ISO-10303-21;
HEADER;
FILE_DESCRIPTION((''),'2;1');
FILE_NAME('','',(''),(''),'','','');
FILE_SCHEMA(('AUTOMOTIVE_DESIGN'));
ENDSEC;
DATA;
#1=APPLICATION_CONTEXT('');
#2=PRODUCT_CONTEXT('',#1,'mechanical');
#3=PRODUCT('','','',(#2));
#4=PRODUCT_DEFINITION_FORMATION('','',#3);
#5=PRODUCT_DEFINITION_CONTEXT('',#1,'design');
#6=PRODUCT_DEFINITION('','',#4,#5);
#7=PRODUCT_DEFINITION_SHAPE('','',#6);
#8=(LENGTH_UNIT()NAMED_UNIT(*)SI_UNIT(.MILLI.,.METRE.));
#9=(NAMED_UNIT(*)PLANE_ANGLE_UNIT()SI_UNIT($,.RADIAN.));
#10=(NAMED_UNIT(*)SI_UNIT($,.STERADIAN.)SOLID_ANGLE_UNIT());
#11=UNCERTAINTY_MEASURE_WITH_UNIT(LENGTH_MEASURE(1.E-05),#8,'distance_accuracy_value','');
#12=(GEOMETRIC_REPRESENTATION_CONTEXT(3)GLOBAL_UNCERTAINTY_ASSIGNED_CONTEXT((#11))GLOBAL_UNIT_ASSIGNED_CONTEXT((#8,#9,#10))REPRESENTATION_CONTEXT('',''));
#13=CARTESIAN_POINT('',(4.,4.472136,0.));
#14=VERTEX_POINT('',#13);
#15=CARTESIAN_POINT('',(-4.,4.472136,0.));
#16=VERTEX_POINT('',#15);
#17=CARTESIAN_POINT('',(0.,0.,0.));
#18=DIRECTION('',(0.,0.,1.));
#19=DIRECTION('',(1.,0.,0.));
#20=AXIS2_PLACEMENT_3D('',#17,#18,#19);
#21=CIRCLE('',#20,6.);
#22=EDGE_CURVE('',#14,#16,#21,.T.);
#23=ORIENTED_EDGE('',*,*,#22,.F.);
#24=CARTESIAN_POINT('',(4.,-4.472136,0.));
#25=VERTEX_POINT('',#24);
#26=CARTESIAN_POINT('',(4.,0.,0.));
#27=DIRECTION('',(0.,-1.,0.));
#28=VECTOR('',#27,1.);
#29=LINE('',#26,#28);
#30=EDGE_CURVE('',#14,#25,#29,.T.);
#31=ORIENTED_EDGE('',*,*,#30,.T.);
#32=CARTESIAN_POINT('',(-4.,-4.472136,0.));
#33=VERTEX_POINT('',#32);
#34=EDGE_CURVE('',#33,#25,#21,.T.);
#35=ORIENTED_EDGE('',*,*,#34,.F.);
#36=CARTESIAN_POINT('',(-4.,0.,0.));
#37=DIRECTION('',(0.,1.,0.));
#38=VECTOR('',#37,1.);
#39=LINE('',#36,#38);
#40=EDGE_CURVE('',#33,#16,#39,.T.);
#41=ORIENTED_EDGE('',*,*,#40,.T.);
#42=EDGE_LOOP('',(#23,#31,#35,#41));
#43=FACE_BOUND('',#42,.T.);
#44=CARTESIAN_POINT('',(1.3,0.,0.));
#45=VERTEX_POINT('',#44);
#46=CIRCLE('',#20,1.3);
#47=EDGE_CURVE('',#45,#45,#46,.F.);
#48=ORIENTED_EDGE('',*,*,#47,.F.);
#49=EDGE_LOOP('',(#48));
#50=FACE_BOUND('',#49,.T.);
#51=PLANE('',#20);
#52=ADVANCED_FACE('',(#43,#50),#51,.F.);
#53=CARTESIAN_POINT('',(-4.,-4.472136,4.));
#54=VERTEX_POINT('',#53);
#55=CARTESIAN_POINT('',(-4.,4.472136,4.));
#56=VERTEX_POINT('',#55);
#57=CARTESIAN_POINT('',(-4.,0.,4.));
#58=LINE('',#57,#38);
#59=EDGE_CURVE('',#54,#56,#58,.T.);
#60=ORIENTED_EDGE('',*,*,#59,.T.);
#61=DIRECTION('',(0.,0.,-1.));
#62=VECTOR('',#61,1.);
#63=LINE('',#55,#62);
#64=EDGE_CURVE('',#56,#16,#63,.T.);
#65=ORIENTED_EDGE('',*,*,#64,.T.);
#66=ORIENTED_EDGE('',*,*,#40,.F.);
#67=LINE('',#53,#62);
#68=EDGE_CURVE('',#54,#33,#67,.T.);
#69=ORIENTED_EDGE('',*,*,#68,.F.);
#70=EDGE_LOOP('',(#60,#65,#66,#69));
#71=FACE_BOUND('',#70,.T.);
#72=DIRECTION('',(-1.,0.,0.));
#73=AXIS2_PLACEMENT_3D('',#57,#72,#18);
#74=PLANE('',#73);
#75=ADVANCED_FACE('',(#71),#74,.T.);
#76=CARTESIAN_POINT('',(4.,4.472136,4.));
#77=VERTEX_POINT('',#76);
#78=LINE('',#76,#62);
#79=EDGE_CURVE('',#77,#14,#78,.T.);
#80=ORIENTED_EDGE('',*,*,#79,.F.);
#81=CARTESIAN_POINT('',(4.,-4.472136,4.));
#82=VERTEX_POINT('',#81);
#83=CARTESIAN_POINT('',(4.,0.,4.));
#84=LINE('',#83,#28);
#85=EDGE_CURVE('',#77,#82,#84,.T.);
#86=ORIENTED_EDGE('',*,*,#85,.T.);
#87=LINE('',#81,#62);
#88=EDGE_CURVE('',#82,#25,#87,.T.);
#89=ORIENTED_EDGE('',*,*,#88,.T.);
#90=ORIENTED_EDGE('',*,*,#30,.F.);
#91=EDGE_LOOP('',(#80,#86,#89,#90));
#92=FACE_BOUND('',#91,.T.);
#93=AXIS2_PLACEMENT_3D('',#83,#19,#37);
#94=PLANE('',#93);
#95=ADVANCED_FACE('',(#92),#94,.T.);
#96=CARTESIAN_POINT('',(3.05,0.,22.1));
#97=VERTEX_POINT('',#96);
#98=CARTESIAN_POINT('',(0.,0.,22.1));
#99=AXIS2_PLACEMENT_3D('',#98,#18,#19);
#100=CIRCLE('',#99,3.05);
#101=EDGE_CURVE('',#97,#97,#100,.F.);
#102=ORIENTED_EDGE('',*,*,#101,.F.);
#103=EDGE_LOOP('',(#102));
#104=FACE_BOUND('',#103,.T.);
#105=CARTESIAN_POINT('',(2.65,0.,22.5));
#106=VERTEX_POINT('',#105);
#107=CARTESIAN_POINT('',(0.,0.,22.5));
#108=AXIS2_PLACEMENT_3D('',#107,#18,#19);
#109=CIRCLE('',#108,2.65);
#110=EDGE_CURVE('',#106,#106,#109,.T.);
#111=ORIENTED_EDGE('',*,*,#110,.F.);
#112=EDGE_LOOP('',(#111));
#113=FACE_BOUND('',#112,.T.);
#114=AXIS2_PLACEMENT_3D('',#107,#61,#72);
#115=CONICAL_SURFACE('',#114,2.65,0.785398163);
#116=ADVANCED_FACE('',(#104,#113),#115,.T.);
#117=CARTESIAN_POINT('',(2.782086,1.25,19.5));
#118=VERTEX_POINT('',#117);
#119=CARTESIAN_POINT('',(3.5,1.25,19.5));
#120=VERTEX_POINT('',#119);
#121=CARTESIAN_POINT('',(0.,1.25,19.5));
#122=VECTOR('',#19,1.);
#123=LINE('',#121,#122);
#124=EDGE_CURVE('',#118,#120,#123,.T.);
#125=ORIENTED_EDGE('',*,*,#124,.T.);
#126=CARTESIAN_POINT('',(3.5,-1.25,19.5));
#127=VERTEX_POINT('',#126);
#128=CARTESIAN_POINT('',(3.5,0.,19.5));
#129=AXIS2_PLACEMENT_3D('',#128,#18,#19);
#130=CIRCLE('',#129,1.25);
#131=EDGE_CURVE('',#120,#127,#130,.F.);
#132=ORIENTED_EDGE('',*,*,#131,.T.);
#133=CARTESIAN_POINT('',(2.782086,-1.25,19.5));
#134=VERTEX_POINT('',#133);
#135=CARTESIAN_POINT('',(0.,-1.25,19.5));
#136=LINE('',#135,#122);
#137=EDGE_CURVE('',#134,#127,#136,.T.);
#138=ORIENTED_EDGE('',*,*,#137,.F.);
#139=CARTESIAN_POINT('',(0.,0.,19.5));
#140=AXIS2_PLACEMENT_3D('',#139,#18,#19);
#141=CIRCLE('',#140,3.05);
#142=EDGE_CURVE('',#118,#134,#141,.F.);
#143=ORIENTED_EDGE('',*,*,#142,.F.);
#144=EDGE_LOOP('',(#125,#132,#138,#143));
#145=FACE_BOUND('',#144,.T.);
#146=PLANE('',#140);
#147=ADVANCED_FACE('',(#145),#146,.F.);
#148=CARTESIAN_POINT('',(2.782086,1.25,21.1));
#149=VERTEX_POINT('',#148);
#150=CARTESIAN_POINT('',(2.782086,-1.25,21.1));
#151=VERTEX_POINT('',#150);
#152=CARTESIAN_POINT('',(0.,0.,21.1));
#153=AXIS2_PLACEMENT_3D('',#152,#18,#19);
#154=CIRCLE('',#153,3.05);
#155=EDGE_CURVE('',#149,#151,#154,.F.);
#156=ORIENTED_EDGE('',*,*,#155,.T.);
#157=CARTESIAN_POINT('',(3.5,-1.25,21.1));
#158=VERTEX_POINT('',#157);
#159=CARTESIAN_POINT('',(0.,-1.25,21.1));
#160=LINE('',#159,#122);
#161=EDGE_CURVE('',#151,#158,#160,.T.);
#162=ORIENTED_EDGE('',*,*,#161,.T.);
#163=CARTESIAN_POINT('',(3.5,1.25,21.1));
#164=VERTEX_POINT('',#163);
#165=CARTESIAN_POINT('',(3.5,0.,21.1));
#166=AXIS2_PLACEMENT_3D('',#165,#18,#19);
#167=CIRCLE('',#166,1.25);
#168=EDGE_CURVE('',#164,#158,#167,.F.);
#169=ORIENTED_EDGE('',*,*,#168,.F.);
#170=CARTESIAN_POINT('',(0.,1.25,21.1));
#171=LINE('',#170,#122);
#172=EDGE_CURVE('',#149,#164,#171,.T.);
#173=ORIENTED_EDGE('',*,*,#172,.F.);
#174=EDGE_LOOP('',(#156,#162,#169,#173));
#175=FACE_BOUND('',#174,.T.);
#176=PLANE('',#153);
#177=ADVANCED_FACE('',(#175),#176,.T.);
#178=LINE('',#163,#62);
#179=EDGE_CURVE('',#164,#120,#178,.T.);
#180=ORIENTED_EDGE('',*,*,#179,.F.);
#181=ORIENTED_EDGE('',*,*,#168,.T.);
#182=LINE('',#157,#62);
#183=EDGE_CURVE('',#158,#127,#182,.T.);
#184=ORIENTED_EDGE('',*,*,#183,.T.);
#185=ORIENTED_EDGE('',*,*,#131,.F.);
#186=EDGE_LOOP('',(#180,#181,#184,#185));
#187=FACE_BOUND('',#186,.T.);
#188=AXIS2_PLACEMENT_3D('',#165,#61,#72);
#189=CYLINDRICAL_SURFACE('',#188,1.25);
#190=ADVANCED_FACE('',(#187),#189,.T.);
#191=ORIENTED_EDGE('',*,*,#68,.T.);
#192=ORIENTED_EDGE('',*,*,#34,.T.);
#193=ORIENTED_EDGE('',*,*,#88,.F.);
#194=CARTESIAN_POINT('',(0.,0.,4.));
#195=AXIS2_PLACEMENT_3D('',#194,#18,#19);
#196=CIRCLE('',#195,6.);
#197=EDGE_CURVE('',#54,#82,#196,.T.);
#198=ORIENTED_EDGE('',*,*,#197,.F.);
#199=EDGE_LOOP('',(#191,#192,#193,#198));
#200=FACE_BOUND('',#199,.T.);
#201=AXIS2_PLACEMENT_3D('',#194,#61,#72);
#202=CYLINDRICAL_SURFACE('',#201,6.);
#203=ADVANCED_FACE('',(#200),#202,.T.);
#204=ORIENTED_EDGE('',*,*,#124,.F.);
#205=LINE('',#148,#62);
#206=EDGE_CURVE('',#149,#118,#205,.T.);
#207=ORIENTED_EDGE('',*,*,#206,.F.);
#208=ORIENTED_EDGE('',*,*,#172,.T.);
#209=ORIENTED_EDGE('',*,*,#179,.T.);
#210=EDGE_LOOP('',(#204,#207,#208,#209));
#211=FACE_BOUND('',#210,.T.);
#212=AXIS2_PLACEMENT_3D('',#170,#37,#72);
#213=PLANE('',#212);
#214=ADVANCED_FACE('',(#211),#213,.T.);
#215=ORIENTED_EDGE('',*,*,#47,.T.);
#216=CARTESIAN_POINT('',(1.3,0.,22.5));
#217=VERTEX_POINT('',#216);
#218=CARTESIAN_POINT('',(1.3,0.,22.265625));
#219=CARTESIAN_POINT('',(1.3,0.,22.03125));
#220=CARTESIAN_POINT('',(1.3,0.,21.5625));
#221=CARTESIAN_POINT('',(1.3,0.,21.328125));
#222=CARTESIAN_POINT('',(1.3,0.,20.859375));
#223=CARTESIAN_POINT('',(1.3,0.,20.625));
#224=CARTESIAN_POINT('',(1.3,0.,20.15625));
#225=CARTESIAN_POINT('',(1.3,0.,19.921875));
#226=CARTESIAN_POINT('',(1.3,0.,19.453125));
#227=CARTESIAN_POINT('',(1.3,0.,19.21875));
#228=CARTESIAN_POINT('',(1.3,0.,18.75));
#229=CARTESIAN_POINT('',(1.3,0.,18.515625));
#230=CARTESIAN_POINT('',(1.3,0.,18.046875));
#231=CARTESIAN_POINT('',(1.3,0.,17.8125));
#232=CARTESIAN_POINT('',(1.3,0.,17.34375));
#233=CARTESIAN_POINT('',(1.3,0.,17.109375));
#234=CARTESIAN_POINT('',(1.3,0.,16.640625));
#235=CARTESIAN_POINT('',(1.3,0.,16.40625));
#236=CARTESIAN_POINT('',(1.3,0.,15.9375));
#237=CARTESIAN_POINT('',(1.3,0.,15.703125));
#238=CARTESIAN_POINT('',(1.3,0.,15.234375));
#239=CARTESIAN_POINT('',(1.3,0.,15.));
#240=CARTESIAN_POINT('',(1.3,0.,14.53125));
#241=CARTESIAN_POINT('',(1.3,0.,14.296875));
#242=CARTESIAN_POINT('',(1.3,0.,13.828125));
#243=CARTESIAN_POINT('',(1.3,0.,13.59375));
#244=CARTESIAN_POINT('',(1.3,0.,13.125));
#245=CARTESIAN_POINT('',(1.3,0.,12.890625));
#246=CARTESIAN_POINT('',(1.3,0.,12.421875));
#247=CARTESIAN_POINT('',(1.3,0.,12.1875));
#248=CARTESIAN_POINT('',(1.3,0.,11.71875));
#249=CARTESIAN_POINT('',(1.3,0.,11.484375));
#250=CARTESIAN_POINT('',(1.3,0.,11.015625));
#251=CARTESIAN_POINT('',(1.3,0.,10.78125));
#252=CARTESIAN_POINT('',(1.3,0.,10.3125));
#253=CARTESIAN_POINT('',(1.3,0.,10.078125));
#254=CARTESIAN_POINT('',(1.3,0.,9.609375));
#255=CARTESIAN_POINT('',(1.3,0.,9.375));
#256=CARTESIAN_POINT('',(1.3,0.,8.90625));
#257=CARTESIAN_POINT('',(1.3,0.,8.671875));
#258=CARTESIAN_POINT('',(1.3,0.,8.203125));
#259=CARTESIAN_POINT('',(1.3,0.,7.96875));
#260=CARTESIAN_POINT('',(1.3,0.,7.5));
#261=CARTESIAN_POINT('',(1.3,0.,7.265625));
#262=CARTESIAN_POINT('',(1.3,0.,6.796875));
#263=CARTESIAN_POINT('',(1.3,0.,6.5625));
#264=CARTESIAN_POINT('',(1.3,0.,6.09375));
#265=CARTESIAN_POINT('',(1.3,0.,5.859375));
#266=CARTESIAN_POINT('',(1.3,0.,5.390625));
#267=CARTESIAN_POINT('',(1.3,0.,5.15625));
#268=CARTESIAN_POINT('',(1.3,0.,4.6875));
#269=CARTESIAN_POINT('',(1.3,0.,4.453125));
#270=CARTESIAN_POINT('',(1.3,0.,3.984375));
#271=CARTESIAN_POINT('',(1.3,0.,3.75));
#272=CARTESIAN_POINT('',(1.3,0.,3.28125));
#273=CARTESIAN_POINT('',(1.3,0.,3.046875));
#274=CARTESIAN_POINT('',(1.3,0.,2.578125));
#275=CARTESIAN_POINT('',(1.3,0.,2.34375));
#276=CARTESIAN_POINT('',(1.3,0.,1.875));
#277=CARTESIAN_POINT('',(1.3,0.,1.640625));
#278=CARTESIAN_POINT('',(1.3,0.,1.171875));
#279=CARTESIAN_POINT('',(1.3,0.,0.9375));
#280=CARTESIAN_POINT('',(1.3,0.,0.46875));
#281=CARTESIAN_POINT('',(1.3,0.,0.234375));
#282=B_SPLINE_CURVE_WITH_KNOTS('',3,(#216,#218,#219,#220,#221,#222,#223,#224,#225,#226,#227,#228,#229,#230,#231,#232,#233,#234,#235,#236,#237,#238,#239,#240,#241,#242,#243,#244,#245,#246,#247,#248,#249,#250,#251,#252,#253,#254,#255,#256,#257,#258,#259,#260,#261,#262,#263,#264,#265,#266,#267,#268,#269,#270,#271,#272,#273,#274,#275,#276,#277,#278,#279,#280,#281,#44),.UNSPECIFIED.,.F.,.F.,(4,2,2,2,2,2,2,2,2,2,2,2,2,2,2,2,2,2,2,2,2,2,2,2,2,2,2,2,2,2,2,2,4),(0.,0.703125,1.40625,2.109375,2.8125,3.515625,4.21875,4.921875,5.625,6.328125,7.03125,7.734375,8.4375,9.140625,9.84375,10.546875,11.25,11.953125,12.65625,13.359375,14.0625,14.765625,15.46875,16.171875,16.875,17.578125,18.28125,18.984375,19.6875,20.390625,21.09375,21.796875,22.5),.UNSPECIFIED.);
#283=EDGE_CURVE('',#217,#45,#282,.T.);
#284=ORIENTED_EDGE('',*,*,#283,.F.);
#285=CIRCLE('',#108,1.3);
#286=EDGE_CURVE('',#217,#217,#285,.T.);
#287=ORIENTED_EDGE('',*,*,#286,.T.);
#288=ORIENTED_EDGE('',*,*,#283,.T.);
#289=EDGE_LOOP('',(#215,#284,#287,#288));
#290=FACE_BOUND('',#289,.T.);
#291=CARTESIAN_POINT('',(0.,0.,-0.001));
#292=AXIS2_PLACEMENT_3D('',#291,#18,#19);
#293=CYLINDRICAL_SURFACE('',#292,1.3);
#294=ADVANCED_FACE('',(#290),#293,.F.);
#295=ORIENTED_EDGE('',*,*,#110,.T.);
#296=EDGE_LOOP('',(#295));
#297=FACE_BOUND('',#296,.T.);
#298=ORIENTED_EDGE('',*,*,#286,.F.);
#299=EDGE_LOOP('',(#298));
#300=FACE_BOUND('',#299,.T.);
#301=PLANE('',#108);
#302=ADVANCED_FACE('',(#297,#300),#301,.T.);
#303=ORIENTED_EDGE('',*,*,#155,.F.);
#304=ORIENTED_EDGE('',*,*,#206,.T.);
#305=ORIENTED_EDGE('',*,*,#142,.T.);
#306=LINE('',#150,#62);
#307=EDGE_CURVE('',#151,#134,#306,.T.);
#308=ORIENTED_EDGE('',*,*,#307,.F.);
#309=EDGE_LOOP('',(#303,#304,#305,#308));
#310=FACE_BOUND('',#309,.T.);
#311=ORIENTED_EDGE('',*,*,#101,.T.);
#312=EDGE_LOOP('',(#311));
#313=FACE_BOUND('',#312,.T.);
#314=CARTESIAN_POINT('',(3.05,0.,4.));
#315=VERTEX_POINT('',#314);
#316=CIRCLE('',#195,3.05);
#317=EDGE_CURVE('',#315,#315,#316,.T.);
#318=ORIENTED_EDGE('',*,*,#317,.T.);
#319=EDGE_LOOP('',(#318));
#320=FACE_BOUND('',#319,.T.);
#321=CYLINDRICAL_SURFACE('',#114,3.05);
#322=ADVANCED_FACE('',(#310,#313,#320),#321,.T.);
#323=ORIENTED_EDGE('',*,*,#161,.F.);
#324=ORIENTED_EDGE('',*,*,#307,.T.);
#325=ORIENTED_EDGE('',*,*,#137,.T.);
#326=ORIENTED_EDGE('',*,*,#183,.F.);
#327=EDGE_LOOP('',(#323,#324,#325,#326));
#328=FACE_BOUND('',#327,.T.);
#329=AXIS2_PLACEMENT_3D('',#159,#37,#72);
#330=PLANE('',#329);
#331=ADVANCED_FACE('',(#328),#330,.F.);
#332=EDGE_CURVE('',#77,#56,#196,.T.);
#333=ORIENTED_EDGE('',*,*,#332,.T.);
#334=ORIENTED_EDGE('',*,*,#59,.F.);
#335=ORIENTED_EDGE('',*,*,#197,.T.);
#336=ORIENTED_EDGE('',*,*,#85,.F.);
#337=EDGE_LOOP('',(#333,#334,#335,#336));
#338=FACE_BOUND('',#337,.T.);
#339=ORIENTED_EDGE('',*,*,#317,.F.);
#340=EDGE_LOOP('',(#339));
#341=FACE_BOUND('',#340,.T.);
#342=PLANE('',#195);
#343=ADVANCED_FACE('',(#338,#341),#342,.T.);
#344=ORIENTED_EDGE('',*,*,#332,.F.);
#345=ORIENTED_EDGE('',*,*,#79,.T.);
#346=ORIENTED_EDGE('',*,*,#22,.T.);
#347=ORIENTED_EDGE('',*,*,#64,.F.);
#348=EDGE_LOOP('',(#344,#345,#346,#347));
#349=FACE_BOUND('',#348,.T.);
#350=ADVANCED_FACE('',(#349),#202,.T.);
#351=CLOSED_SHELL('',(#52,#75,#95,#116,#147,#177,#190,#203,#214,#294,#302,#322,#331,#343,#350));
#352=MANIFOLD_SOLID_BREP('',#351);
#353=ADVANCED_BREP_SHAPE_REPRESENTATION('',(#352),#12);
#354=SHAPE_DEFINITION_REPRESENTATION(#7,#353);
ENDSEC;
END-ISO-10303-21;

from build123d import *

# Parameters (mm, degrees)
AUFSATZ_LINEAR_AUSTRAGEN1_DEPTH = 4
SKIZZE2_R                       = 3.05
AUFSATZ_LINEAR_AUSTRAGEN2_DEPTH = 18.5
AUFSATZ_LINEAR_START            = 15.5
AUFSATZ_LINEAR_AUSTRAGEN3_DEPTH = 1.6
SCHNITT_LINEAR_AUSTRAGEN1_REACH = 25.766
SKIZZE4_R                       = 1.3
FASE1_SIZE                      = 0.4


with BuildPart() as part:
    # Skizze1 → Aufsatz-Linear austragen1 (new body)
    with BuildSketch(Plane.XY):
        with BuildLine():
            Line((-4, 4.472135955), (-4, -4.472135955))
            ThreePointArc((-4, -4.472135955), (0, -6), (4, -4.472135955))
            Line((4, -4.472135955), (4, 4.472135955))
            ThreePointArc((4, 4.472135955), (0, 6), (-4, 4.472135955))
        make_face()
    extrude(amount=AUFSATZ_LINEAR_AUSTRAGEN1_DEPTH)

    # Skizze2 → Aufsatz-Linear austragen2 (add)
    with BuildSketch(Plane.XY.offset(4)):
        Circle(SKIZZE2_R)
    extrude(amount=AUFSATZ_LINEAR_AUSTRAGEN2_DEPTH)

    # Skizze3 → Aufsatz-Linear austragen3 (add)
    with BuildSketch(Plane.XY.offset(4).offset(AUFSATZ_LINEAR_START)):
        with BuildLine():
            Line((3.5, 1.25), (2.782085549, 1.25))
            ThreePointArc((2.782085549, 1.25), (2.982269348, 0.639194445), (3.05, 0))
            ThreePointArc((3.05, 0), (2.982269348, -0.639194445), (2.782085549, -1.25))
            Line((2.782085549, -1.25), (3.5, -1.25))
            ThreePointArc((3.5, -1.25), (4.75, 0), (3.5, 1.25))
        make_face()
    extrude(amount=AUFSATZ_LINEAR_AUSTRAGEN3_DEPTH)

    # Skizze4 → Schnitt-Linear austragen1 (cut, up to next)
    with BuildSketch(Plane.XY.offset(22.5), mode=Mode.PRIVATE) as schnitt_linear_austragen1_sk1:
        Circle(SKIZZE4_R)
    schnitt_linear_austragen1_tool1 = extrude(schnitt_linear_austragen1_sk1.sketch, amount=-SCHNITT_LINEAR_AUSTRAGEN1_REACH, mode=Mode.PRIVATE) & part.part
    add(schnitt_linear_austragen1_tool1.solids().sort_by_distance((0, 0, 22.5))[0], mode=Mode.SUBTRACT)

    # Fase1
    fase1_edges = [part.edges().sort_by_distance(p)[0] for p in [
        (-3.05, 0, 22.5),
    ]]
    chamfer(fase1_edges, length=FASE1_SIZE)


solid = part.part
